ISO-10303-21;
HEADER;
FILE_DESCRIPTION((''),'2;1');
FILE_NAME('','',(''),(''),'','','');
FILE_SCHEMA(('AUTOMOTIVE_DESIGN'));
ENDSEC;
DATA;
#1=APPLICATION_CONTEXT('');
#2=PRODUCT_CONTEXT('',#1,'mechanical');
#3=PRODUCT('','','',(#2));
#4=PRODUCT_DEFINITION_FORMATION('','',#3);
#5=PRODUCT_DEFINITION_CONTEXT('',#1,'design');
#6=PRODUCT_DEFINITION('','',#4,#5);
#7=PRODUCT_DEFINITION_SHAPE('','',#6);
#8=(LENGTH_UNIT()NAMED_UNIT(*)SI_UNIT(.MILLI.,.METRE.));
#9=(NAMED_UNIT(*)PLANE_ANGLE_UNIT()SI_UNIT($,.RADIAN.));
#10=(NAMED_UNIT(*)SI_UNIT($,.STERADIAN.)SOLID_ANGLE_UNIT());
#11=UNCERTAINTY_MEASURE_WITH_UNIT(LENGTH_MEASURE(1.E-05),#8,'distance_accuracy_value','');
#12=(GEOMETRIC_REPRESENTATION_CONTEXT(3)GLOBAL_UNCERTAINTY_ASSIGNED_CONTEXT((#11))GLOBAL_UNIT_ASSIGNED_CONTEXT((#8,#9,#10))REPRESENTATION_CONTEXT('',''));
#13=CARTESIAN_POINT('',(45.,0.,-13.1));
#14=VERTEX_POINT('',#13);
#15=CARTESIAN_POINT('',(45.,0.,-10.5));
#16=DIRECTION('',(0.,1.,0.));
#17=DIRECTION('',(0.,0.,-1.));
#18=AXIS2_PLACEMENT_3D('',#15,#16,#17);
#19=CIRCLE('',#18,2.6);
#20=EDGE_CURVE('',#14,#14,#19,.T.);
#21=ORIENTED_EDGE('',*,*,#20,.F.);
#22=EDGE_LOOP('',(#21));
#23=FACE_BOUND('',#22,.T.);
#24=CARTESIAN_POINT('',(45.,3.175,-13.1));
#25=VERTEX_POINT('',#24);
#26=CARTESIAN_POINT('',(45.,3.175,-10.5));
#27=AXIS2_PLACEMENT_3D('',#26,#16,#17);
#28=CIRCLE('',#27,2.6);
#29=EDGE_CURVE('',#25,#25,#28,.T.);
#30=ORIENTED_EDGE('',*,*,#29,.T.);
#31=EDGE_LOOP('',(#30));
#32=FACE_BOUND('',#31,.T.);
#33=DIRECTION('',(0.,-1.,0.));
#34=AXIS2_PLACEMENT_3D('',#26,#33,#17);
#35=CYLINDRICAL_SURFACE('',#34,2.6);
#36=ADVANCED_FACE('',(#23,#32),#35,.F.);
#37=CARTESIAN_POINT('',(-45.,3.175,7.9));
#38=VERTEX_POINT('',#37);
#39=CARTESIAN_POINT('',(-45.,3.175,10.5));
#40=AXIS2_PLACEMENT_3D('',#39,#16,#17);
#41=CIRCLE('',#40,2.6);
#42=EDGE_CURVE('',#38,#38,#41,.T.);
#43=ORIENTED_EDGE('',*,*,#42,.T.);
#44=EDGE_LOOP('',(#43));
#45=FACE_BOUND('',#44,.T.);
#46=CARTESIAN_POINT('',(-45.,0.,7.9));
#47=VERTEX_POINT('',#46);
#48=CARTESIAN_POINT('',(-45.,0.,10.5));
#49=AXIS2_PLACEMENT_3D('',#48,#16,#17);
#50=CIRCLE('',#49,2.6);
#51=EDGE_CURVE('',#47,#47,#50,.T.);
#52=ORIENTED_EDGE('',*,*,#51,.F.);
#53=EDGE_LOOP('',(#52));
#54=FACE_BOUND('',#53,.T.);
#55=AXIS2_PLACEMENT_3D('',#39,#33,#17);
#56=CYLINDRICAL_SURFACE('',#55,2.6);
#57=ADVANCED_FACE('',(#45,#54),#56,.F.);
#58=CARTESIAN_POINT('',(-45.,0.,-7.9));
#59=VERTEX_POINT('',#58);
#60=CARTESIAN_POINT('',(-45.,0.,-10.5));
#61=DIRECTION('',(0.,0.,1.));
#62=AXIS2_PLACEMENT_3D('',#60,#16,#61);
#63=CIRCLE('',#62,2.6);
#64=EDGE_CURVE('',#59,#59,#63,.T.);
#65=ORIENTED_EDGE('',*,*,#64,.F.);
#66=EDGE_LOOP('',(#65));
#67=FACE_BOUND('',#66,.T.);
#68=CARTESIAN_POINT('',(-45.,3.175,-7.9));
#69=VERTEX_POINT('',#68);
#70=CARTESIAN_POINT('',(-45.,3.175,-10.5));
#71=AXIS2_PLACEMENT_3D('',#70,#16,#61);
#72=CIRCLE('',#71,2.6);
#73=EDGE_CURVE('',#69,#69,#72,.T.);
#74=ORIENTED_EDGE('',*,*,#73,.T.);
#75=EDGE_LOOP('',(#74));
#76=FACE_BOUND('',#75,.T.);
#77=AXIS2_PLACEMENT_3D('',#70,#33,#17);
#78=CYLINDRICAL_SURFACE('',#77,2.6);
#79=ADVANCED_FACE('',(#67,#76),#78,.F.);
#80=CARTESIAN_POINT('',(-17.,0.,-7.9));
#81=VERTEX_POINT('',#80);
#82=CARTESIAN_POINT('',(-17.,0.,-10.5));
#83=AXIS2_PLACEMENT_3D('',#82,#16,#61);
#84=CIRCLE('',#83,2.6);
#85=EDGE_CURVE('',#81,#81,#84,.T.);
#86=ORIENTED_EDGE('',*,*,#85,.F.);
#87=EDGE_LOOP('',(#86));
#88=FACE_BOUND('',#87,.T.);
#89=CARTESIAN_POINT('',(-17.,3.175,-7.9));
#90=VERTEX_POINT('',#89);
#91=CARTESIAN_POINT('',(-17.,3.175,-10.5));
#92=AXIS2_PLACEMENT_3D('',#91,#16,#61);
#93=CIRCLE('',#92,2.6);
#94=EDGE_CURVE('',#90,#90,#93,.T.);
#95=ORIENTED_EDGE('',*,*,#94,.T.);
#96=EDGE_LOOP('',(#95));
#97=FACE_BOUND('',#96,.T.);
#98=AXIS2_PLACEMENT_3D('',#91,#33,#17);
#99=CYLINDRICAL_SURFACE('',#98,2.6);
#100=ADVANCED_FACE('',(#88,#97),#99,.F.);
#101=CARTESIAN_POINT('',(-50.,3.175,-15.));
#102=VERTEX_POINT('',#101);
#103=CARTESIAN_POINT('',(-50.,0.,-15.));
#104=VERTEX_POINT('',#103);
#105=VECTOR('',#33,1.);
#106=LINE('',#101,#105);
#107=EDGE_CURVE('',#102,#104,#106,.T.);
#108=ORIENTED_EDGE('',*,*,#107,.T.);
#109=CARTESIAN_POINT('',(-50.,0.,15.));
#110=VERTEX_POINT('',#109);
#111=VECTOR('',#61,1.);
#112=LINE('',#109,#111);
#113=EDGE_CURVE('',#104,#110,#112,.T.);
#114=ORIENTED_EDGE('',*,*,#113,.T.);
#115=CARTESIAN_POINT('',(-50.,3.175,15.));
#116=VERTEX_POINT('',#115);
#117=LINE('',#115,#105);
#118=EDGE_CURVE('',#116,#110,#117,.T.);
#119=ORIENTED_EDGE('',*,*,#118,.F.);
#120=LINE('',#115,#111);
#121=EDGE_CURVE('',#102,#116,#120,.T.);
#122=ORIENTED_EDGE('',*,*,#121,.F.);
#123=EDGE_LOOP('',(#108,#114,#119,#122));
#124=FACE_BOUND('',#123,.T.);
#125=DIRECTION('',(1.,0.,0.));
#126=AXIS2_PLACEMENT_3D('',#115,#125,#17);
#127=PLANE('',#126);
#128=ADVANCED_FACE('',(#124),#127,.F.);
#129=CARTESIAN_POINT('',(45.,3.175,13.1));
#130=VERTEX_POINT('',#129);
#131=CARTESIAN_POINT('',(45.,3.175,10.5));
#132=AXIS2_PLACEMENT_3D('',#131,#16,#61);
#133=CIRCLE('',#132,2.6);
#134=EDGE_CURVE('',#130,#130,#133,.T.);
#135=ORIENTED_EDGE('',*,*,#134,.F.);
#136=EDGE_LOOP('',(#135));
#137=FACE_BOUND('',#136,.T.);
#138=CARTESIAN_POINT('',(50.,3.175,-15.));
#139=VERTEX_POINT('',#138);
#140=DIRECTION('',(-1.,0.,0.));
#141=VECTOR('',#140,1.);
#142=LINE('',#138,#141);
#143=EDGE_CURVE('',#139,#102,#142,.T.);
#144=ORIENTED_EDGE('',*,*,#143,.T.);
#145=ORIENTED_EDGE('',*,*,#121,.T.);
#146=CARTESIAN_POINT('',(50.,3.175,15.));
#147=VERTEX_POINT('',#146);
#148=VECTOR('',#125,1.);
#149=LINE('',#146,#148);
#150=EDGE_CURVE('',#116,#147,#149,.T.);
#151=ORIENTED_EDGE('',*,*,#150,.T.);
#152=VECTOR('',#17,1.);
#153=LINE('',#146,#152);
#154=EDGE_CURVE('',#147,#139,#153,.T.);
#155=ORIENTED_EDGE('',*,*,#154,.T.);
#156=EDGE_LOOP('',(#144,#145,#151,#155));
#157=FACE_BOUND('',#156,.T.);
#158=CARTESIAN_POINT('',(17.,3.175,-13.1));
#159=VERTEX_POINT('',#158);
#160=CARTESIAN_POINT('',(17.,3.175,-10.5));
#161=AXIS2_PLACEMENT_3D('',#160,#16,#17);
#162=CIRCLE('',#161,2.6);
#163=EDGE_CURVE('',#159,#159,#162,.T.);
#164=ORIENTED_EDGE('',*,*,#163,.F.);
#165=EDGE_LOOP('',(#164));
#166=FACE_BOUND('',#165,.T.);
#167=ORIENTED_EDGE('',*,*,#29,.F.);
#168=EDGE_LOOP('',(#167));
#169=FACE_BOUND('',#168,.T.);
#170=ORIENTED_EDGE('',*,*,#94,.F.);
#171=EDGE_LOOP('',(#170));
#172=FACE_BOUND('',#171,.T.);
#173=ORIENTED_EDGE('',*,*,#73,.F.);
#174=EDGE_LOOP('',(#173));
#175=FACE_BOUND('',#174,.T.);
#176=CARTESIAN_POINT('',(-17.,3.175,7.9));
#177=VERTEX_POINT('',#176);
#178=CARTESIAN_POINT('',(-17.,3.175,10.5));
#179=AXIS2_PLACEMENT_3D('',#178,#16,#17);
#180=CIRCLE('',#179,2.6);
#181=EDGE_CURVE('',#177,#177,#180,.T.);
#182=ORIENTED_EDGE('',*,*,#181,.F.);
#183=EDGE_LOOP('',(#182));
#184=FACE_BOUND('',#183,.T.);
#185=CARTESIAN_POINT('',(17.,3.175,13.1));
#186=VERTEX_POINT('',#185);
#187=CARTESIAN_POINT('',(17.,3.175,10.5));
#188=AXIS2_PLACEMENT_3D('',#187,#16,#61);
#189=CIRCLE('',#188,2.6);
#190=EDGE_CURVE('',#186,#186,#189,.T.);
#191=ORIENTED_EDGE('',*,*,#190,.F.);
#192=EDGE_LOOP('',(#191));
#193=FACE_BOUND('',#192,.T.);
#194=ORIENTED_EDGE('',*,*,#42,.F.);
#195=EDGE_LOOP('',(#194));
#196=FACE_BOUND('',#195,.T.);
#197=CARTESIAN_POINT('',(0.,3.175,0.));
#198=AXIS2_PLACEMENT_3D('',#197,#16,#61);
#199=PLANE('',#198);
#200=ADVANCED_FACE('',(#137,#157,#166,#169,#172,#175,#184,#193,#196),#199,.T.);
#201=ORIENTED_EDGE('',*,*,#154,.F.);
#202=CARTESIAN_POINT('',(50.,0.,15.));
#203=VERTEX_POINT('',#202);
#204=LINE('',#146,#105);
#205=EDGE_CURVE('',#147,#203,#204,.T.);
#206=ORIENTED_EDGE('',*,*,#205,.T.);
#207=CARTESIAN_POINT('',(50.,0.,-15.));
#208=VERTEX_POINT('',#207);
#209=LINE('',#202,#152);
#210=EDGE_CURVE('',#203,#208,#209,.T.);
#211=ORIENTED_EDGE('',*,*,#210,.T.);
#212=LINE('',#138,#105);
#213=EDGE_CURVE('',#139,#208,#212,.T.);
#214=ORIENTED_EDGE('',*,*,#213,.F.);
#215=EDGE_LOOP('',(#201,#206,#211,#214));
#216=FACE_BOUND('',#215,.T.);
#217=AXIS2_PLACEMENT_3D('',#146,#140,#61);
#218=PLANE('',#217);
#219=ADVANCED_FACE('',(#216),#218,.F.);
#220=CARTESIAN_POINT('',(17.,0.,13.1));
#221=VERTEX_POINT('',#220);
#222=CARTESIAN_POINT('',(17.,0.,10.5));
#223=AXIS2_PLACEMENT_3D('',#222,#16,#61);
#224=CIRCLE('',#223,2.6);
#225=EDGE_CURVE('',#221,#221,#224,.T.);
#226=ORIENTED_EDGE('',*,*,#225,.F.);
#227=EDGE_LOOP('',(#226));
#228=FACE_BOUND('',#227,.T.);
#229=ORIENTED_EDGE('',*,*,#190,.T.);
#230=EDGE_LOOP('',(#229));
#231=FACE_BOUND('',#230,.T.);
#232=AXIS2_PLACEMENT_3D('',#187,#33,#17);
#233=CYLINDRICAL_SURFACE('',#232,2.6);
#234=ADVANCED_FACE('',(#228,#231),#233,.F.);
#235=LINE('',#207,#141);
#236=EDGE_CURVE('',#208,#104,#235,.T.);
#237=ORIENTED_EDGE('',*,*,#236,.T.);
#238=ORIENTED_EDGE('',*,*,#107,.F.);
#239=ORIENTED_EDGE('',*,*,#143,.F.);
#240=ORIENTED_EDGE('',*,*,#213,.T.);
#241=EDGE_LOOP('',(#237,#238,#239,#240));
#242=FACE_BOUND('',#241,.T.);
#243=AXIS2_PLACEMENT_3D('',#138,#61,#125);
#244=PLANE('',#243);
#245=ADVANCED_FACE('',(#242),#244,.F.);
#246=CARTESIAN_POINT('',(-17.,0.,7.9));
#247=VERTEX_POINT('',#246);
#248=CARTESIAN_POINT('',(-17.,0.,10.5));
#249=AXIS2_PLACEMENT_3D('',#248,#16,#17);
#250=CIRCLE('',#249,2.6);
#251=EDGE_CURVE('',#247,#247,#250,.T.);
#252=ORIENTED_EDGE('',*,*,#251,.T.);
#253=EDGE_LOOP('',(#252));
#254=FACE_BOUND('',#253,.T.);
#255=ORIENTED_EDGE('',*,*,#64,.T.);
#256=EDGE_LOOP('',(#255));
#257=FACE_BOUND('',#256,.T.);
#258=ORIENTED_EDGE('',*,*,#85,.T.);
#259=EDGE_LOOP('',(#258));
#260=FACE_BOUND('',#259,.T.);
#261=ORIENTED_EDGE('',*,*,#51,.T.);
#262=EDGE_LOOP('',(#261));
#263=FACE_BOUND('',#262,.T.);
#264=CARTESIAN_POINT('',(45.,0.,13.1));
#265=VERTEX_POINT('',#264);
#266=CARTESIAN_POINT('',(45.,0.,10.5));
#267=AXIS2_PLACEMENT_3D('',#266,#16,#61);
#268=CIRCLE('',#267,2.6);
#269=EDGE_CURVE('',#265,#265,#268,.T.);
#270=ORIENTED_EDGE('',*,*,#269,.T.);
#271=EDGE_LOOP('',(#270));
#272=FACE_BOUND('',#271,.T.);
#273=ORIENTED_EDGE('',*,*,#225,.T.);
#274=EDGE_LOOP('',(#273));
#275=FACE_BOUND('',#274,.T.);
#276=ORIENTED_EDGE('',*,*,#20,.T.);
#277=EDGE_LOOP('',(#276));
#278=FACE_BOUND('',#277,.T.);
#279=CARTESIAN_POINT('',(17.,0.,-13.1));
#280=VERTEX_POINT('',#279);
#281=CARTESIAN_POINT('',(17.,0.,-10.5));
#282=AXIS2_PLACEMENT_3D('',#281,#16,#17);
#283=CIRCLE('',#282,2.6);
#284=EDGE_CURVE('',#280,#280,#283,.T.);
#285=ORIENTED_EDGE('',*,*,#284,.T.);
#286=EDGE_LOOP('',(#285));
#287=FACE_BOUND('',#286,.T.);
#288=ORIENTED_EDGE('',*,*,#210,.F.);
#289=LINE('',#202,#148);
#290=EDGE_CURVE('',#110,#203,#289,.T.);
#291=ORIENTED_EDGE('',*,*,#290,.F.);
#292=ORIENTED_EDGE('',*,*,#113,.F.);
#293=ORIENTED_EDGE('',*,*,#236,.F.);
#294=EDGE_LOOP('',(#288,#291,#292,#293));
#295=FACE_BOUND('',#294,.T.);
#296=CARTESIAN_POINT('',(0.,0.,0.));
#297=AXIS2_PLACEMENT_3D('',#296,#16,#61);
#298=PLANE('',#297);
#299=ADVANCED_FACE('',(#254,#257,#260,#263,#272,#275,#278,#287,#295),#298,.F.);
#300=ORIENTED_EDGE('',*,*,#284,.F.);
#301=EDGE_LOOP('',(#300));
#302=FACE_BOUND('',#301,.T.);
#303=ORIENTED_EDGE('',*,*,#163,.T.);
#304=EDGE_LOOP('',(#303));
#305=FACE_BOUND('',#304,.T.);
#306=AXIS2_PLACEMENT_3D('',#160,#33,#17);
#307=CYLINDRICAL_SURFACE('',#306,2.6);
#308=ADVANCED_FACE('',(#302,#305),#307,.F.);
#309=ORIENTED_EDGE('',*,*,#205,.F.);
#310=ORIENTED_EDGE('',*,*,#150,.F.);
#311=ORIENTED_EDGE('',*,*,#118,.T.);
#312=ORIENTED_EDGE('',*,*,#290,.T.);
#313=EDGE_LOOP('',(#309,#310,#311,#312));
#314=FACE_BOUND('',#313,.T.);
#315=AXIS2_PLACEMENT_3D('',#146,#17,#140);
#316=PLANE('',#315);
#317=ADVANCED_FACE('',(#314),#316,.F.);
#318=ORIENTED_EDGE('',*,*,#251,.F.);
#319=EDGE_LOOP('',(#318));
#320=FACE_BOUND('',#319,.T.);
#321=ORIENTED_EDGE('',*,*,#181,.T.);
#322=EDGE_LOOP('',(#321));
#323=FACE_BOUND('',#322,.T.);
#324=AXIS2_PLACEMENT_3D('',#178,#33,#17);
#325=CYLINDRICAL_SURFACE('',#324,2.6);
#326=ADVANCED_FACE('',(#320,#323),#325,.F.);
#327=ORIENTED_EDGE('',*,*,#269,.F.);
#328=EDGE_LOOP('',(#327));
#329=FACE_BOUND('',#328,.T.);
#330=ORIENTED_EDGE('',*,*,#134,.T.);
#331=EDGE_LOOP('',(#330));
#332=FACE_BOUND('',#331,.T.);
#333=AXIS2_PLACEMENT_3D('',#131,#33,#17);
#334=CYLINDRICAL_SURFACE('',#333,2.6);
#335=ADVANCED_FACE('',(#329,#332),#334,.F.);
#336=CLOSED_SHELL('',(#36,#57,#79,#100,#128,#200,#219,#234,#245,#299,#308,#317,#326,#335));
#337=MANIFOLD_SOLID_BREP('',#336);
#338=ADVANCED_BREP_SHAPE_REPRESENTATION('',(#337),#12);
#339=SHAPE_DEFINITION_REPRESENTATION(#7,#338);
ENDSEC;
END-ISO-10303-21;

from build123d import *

# Parameters (mm, degrees)
SKETCH2_W           = 100
SKETCH2_H           = 30
SKETCH2_R           = 2.6
BOSS_EXTRUDE1_DEPTH = 3.175


with BuildPart() as part:
    # Sketch2 → Boss-Extrude1 (new body)
    with BuildSketch(Plane(origin=(0, 0, 0), x_dir=(1, 0, 0), z_dir=(0, 1, 0))):
        Rectangle(SKETCH2_W, SKETCH2_H)
        with Locations((-17, 10.5)):
            Circle(SKETCH2_R, mode=Mode.SUBTRACT)
        with Locations((17, 10.5)):
            Circle(SKETCH2_R, mode=Mode.SUBTRACT)
        with Locations((17, -10.5)):
            Circle(SKETCH2_R, mode=Mode.SUBTRACT)
        with Locations((-17, -10.5)):
            Circle(SKETCH2_R, mode=Mode.SUBTRACT)
        with Locations((-45, 10.5)):
            Circle(SKETCH2_R, mode=Mode.SUBTRACT)
        with Locations((45, 10.5)):
            Circle(SKETCH2_R, mode=Mode.SUBTRACT)
        with Locations((45, -10.5)):
            Circle(SKETCH2_R, mode=Mode.SUBTRACT)
        with Locations((-45, -10.5)):
            Circle(SKETCH2_R, mode=Mode.SUBTRACT)
    extrude(amount=BOSS_EXTRUDE1_DEPTH)


solid = part.part
